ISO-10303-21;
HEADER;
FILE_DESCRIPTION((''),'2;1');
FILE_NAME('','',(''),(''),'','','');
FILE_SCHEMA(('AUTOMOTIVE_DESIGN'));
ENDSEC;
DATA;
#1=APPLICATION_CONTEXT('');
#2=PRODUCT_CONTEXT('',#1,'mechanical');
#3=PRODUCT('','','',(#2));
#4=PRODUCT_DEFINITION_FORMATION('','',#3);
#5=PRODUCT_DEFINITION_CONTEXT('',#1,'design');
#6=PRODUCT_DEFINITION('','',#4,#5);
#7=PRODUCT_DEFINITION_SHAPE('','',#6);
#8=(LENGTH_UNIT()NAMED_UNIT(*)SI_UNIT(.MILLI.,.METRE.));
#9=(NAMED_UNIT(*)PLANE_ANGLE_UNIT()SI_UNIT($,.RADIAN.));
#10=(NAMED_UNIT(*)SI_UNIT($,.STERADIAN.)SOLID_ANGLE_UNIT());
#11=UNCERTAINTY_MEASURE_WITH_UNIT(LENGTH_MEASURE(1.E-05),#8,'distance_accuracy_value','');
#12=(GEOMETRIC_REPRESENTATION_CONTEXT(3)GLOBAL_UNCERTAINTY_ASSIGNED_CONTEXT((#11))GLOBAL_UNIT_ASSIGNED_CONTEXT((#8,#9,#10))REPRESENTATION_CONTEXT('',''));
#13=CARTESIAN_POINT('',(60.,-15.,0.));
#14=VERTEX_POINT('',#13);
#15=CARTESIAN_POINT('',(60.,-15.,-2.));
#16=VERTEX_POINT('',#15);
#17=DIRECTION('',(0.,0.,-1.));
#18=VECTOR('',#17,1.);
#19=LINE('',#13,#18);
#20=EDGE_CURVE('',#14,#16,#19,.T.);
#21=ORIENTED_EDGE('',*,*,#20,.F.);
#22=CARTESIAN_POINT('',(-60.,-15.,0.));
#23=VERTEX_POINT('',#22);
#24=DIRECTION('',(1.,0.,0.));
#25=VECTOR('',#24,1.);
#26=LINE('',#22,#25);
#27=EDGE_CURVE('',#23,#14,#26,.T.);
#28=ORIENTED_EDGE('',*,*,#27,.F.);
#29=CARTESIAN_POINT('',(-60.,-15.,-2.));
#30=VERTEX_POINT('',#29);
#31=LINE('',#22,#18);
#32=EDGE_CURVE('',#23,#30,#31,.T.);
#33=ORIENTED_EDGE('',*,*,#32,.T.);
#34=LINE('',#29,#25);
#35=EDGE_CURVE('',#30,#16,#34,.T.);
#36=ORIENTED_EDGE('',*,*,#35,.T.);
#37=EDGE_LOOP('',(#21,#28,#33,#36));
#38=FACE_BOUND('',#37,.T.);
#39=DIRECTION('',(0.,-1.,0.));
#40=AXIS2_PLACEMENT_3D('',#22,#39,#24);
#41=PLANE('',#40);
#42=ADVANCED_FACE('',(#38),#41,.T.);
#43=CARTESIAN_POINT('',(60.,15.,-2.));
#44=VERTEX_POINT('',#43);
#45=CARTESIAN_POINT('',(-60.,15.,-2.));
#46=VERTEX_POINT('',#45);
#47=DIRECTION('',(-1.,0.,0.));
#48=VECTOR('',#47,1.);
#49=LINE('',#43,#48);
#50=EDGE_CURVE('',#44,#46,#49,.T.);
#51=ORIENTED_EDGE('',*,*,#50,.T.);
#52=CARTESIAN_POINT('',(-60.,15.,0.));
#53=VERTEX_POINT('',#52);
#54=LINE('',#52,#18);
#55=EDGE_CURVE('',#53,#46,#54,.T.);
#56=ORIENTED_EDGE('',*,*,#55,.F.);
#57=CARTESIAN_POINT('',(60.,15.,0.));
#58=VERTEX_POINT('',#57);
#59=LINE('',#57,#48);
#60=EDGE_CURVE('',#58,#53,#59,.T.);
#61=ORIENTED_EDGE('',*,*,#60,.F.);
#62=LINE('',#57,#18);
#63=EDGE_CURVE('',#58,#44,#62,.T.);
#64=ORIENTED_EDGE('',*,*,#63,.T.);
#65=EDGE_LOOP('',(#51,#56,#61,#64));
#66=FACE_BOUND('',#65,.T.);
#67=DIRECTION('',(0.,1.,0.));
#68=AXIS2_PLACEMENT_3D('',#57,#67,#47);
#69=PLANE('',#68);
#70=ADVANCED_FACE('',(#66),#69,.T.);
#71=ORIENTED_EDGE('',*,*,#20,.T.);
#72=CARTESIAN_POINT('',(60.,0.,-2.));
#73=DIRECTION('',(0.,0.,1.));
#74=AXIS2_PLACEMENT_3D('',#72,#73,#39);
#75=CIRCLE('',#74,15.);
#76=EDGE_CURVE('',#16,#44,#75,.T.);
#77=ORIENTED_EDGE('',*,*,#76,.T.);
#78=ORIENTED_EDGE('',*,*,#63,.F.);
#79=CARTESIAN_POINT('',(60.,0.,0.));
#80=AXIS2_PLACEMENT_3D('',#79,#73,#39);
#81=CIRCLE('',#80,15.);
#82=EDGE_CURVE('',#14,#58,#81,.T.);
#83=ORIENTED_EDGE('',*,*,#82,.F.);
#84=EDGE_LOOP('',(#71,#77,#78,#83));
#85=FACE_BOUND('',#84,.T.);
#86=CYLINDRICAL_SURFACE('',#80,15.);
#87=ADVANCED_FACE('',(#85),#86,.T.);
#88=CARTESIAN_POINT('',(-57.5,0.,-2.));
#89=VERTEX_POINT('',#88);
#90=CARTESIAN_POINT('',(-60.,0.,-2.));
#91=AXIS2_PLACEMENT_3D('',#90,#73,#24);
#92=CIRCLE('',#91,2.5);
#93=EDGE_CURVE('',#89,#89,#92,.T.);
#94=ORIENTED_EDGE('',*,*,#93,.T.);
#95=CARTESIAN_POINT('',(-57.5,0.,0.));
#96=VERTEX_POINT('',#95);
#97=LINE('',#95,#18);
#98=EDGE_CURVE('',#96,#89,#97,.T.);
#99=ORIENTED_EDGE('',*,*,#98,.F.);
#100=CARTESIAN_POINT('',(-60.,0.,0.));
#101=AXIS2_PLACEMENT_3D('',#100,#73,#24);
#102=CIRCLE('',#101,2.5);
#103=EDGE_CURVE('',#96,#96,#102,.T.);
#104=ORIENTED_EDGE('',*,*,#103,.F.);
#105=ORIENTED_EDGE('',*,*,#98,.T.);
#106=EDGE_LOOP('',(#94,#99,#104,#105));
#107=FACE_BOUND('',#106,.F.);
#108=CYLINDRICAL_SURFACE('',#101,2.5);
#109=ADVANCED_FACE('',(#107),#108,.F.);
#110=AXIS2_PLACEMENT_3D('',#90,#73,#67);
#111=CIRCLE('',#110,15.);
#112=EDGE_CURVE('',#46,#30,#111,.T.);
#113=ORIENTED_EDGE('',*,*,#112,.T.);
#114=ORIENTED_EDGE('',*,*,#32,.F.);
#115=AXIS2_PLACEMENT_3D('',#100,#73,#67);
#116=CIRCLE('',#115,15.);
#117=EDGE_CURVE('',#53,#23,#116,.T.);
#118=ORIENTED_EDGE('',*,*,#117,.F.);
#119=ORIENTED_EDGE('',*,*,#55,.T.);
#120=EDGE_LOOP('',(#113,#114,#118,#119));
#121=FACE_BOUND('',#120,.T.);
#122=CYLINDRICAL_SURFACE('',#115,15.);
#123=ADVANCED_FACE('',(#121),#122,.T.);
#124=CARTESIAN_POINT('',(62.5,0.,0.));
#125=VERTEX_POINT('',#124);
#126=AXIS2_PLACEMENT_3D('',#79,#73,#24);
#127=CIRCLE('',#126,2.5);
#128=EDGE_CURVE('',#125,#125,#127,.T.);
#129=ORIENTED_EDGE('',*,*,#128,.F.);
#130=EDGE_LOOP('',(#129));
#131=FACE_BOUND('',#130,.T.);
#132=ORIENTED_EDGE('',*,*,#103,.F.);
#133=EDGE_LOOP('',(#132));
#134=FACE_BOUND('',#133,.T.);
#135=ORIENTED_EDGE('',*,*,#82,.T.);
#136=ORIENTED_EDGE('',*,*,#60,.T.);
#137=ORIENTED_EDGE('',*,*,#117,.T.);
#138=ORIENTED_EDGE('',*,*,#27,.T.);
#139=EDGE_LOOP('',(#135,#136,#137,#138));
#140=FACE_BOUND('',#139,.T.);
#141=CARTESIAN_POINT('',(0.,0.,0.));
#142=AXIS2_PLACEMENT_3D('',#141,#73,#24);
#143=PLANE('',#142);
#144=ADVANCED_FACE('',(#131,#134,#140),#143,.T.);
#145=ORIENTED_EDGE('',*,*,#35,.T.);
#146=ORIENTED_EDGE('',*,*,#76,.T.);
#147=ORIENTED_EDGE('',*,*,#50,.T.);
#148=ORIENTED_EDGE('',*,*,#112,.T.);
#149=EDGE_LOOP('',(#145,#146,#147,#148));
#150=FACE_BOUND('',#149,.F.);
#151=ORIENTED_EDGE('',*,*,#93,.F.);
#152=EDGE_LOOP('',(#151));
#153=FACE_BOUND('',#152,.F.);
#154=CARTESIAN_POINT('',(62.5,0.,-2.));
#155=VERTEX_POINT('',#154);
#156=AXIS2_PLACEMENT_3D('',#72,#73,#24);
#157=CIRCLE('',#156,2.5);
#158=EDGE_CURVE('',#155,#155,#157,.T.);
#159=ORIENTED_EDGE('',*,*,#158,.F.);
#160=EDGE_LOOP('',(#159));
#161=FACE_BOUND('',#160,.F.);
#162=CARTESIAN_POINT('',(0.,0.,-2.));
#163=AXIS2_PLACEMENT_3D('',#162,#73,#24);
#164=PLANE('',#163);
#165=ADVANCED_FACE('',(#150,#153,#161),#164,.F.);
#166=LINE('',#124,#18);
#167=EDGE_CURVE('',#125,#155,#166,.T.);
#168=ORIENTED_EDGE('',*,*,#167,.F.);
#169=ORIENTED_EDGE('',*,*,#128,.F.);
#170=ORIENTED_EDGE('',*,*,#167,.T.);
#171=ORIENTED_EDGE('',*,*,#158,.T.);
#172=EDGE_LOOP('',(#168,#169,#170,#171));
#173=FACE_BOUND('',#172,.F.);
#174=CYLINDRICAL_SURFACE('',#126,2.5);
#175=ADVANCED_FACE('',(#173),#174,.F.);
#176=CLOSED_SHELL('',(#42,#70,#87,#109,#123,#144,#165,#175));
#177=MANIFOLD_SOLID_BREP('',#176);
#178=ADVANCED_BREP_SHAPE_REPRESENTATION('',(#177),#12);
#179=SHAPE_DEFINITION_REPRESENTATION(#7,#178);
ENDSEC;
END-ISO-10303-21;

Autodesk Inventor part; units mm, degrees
ref_plane "YZ Plane" through (0, 0, 0) normal (1, 0, 0) x (0, 1, 0)
ref_plane "XZ Plane" through (0, 0, 0) normal (0, 1, 0) x (-1, 0, 0)
ref_plane "XY Plane" through (0, 0, 0) normal (0, 0, 1) x (1, 0, 0)
sketch "Sketch1" plane through (0, 0, 0) normal (0, 0, 1) x (1, 0, 0)
  line L0 (-60, 0) -> (60, 0) construction
  line L1 (-60, -15) -> (60, -15)
  line L2 (60, 15) -> (-60, 15)
  arc A0 (-60, 15) -> (-60, -15) centre (-60, 0) ccw
  arc A1 (60, -15) -> (60, 15) centre (60, 0) ccw
  circle A2 centre (-60, 0) radius 2.5
  circle A3 centre (60, 0) radius 2.5
  line L3 (0, 15) -> (0, -15) construction
  point P0 (0, 0)
  point P1 (0, 0)
  point P2 (0, 0)
  point P3 (0, 0)
  dimension "d37" = 120
  dimension "d38" = 15
  dimension "d39" = 120
  dimension "d40" = 5
extrude "Plate1" add sketch "Sketch1" against normal blind 2
equation "\"d15\" = Thickness"
equation "\"BendRadius\" = Thickness"
equation "\"BendReliefWidth\" = Thickness"
equation "\"BendReliefDepth\" = 0.5 * Thickness"
equation "\"CornerReliefSize\" = 4 * Thickness"
equation "\"MinimumRemnant\" = 2 * Thickness"
equation "\"TransitionRadius\" = BendRadius"
equation "\"JacobiRadiusSize\" = BendRadius"
equation "\"GapSize\" = Thickness"
equation "\"Thickness\" = 2"
properties part number "ДМФ 01 15 Барабан усилитель борта"
